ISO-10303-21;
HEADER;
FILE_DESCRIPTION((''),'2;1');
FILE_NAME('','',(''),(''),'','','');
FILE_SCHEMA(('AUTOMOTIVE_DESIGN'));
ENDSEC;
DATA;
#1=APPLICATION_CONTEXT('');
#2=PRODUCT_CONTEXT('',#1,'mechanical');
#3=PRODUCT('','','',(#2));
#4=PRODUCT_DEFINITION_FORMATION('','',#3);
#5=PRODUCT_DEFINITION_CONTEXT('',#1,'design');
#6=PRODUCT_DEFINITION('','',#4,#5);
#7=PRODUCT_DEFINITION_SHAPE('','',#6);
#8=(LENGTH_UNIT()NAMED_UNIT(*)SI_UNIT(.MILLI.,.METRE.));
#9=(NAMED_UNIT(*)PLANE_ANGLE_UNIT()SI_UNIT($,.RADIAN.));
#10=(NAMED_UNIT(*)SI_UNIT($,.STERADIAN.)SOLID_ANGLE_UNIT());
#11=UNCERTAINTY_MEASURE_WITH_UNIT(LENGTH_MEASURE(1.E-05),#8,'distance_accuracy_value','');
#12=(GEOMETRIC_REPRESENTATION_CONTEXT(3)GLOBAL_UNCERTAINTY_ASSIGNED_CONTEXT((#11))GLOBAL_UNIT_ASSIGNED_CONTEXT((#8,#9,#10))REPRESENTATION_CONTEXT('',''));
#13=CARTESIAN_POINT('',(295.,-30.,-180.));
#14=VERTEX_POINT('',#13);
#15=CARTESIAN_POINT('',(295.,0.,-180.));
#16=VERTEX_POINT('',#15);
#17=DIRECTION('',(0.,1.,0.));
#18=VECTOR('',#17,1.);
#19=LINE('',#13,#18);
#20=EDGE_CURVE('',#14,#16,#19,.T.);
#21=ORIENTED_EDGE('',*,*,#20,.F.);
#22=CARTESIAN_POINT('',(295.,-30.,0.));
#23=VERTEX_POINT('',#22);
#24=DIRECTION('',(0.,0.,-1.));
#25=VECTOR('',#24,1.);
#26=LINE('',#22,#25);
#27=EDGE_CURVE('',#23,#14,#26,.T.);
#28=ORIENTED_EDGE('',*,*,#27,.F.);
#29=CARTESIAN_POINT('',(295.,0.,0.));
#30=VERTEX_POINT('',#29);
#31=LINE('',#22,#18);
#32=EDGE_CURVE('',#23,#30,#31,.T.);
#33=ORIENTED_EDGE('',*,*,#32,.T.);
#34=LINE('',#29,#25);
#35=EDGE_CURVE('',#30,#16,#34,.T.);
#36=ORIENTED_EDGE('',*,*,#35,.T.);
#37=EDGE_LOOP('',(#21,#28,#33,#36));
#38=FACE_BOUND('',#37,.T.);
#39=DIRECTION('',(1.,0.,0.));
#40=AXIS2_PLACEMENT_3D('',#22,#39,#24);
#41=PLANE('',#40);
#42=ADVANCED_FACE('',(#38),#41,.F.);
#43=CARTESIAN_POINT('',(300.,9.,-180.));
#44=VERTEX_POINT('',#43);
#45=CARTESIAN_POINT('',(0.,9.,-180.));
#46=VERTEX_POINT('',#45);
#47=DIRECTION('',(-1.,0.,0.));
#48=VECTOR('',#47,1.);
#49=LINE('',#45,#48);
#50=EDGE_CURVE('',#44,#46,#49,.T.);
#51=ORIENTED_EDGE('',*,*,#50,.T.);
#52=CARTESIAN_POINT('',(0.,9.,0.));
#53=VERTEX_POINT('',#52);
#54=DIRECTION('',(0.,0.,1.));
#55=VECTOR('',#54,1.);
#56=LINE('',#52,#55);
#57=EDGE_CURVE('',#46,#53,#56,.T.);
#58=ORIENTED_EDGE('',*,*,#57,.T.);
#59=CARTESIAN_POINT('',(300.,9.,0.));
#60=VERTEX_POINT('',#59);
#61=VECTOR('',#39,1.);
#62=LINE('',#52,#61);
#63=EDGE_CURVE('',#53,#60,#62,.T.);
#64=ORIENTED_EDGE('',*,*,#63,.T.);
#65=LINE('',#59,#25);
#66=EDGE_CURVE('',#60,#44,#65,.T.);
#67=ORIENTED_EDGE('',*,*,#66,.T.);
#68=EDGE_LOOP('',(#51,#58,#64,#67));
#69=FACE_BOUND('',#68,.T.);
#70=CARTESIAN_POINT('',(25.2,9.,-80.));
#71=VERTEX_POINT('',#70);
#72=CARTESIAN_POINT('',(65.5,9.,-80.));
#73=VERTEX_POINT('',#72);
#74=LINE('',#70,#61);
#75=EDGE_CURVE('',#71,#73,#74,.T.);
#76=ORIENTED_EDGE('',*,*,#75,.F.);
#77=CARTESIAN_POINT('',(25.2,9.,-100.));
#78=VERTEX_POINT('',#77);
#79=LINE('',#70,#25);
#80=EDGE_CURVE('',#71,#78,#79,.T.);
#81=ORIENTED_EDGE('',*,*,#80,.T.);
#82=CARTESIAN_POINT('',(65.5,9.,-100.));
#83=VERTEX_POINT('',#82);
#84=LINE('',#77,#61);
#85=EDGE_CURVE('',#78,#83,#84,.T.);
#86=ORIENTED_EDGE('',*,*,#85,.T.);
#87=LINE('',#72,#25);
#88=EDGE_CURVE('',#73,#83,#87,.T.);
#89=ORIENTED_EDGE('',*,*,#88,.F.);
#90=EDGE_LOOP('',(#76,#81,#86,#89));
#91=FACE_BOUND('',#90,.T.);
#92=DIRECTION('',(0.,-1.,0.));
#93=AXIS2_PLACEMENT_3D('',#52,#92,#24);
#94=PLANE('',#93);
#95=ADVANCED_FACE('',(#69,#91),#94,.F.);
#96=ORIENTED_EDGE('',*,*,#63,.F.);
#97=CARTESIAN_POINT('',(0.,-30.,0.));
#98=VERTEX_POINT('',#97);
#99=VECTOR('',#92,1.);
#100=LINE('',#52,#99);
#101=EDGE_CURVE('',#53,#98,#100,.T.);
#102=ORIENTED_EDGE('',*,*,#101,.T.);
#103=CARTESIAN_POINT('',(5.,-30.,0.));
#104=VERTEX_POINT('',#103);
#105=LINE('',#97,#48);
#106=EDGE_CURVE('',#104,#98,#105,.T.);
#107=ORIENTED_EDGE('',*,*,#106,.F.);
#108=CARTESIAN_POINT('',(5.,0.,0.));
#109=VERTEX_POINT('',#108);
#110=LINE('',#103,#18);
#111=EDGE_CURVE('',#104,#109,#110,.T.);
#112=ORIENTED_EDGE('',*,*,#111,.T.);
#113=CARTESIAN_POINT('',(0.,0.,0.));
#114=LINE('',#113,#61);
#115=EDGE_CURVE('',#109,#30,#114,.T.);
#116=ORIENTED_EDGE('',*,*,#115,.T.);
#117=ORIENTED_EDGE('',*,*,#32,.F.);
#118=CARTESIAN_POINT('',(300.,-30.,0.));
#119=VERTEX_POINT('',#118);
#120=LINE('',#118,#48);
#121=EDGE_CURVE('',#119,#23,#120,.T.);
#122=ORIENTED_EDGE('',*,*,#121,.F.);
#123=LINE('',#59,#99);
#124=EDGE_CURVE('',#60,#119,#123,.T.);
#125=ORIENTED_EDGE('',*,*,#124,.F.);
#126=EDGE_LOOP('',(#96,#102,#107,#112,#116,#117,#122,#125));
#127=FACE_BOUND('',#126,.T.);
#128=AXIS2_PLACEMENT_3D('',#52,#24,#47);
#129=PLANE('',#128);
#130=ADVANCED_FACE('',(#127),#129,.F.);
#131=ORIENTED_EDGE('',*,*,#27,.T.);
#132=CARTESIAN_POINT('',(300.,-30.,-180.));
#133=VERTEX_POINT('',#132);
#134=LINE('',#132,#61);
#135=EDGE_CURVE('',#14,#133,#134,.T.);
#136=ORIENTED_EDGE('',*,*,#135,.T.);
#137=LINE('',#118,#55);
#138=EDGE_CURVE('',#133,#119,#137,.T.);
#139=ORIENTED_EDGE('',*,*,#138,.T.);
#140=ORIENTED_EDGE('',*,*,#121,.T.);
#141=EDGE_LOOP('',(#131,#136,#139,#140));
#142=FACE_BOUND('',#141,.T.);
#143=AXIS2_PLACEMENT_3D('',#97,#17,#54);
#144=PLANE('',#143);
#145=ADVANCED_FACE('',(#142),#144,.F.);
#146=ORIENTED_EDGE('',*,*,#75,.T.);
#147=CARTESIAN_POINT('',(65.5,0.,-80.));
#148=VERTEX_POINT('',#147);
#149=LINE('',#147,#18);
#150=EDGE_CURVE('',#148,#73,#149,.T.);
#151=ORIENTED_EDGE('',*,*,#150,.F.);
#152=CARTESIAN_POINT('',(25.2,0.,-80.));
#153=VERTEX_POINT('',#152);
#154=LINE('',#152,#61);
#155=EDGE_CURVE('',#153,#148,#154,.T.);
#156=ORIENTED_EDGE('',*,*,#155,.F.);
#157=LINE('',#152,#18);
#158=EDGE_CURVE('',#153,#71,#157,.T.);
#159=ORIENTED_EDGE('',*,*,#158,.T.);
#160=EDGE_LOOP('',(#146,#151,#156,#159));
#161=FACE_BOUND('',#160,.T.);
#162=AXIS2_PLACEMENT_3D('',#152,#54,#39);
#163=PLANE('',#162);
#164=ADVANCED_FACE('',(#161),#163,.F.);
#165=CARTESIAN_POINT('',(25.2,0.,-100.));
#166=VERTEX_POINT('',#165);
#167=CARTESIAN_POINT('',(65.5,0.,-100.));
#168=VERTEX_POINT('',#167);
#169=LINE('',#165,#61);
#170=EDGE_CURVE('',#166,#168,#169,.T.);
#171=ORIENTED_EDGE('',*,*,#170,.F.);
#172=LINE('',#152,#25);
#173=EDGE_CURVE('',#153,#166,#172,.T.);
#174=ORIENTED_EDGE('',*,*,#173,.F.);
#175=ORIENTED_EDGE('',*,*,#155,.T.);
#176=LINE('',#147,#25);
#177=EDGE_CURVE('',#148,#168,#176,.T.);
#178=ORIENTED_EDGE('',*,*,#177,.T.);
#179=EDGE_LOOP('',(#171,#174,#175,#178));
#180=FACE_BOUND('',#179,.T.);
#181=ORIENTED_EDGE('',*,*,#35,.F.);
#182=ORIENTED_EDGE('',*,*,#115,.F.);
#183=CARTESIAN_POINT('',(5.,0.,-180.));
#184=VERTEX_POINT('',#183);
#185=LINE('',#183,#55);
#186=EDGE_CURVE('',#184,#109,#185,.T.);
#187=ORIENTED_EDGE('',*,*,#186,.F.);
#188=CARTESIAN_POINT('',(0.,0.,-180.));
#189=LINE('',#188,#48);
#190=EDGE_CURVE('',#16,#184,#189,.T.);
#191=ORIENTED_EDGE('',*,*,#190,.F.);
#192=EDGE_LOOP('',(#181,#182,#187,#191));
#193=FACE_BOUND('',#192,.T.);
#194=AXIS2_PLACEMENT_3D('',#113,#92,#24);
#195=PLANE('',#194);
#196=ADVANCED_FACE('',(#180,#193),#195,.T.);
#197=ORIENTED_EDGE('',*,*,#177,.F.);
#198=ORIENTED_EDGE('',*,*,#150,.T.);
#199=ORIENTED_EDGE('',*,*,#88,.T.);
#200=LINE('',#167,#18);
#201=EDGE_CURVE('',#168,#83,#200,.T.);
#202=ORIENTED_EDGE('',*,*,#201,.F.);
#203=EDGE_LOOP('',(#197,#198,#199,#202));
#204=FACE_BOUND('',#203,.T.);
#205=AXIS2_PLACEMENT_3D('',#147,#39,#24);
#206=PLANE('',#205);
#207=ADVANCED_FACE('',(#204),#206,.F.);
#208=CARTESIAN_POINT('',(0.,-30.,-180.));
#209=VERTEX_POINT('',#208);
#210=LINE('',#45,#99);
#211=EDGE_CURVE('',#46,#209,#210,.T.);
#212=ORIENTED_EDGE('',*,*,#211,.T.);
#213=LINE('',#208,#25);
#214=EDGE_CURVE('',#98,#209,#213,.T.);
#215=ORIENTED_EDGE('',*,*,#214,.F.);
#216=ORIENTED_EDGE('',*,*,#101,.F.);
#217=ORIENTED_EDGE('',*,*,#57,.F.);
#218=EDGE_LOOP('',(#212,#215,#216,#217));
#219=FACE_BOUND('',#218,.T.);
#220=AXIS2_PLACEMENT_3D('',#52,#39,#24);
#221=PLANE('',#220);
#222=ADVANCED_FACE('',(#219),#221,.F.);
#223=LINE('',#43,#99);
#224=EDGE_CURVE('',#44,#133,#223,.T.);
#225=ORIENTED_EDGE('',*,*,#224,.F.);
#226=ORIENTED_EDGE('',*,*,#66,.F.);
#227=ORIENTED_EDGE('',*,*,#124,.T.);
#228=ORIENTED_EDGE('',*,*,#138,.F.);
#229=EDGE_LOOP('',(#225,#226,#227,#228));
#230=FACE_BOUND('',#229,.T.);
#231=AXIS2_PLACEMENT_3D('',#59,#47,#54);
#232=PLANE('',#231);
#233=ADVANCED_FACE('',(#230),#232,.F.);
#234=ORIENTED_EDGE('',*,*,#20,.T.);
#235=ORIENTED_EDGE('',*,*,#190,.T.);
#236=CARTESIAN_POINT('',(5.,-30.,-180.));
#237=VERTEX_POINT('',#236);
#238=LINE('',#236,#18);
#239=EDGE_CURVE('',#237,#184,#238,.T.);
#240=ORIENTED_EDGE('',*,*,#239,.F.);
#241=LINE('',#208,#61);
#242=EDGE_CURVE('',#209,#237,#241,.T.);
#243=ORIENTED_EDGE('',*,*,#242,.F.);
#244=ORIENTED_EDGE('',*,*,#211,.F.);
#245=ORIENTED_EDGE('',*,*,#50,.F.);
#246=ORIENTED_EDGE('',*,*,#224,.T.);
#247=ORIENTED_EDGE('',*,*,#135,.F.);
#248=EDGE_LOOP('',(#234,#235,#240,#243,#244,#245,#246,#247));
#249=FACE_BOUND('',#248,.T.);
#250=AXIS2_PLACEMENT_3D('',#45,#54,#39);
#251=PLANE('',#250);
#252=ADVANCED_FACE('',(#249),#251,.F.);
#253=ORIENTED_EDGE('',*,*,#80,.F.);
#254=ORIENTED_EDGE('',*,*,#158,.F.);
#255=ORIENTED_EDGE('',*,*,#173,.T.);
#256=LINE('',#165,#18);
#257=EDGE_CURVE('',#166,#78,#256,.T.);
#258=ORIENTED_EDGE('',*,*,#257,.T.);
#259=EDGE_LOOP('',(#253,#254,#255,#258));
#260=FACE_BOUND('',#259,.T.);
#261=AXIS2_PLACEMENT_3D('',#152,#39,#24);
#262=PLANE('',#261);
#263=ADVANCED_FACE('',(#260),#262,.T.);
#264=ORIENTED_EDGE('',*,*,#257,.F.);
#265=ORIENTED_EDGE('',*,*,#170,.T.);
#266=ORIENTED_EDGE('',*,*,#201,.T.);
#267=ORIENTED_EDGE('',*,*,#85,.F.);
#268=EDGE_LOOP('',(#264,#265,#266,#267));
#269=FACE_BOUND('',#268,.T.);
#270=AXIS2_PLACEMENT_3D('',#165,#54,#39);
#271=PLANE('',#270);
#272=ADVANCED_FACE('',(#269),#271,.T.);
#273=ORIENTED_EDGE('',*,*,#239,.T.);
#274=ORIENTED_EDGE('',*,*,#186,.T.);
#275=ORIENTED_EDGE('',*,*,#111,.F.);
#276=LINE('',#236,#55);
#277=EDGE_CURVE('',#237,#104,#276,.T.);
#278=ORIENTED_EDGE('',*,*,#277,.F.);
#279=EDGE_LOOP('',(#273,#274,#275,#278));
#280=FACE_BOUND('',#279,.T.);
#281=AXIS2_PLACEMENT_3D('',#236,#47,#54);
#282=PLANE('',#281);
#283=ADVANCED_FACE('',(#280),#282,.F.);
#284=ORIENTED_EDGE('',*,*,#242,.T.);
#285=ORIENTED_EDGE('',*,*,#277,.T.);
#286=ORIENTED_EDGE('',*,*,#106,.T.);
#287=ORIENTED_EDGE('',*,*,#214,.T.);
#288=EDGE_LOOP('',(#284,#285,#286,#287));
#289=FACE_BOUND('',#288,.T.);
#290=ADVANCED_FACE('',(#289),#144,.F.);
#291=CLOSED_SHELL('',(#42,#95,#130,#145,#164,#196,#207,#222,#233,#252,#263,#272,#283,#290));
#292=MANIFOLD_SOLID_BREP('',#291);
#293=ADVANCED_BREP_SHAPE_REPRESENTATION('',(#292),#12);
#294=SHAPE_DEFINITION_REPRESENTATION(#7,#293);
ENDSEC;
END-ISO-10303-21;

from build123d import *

# Parameters (mm, degrees)
SKETCH1_W           = 300
SKETCH1_H           = 180
BOSS_EXTRUDE1_DEPTH = 9
SKETCH2_W           = 5
SKETCH2_H           = 180
BOSS_EXTRUDE2_DEPTH = 30
SKETCH3_W           = 40.3
SKETCH3_H           = 20
CUT_EXTRUDE1_DEPTH  = 9


with BuildPart() as part:
    # Sketch1 → Boss-Extrude1 (new body)
    with BuildSketch(Plane(origin=(0, 0, 0), x_dir=(1, 0, 0), z_dir=(0, 1, 0))):
        with Locations((150, 90)):
            Rectangle(SKETCH1_W, SKETCH1_H)
    extrude(amount=BOSS_EXTRUDE1_DEPTH)

    # Sketch2 → Boss-Extrude2 (add)
    with BuildSketch(Plane.XZ):
        with Locations((2.5, -90)):
            Rectangle(SKETCH2_W, SKETCH2_H)
        with Locations((297.5, -90)):
            Rectangle(SKETCH2_W, SKETCH2_H)
    extrude(amount=BOSS_EXTRUDE2_DEPTH)

    # Sketch3 → Cut-Extrude1 (cut)
    with BuildSketch(Plane(origin=(0, 9, 0), x_dir=(1, 0, 0), z_dir=(0, 1, 0))):
        with Locations((45.35, 90)):
            Rectangle(SKETCH3_W, SKETCH3_H)
    extrude(amount=-CUT_EXTRUDE1_DEPTH, mode=Mode.SUBTRACT)


solid = part.part
